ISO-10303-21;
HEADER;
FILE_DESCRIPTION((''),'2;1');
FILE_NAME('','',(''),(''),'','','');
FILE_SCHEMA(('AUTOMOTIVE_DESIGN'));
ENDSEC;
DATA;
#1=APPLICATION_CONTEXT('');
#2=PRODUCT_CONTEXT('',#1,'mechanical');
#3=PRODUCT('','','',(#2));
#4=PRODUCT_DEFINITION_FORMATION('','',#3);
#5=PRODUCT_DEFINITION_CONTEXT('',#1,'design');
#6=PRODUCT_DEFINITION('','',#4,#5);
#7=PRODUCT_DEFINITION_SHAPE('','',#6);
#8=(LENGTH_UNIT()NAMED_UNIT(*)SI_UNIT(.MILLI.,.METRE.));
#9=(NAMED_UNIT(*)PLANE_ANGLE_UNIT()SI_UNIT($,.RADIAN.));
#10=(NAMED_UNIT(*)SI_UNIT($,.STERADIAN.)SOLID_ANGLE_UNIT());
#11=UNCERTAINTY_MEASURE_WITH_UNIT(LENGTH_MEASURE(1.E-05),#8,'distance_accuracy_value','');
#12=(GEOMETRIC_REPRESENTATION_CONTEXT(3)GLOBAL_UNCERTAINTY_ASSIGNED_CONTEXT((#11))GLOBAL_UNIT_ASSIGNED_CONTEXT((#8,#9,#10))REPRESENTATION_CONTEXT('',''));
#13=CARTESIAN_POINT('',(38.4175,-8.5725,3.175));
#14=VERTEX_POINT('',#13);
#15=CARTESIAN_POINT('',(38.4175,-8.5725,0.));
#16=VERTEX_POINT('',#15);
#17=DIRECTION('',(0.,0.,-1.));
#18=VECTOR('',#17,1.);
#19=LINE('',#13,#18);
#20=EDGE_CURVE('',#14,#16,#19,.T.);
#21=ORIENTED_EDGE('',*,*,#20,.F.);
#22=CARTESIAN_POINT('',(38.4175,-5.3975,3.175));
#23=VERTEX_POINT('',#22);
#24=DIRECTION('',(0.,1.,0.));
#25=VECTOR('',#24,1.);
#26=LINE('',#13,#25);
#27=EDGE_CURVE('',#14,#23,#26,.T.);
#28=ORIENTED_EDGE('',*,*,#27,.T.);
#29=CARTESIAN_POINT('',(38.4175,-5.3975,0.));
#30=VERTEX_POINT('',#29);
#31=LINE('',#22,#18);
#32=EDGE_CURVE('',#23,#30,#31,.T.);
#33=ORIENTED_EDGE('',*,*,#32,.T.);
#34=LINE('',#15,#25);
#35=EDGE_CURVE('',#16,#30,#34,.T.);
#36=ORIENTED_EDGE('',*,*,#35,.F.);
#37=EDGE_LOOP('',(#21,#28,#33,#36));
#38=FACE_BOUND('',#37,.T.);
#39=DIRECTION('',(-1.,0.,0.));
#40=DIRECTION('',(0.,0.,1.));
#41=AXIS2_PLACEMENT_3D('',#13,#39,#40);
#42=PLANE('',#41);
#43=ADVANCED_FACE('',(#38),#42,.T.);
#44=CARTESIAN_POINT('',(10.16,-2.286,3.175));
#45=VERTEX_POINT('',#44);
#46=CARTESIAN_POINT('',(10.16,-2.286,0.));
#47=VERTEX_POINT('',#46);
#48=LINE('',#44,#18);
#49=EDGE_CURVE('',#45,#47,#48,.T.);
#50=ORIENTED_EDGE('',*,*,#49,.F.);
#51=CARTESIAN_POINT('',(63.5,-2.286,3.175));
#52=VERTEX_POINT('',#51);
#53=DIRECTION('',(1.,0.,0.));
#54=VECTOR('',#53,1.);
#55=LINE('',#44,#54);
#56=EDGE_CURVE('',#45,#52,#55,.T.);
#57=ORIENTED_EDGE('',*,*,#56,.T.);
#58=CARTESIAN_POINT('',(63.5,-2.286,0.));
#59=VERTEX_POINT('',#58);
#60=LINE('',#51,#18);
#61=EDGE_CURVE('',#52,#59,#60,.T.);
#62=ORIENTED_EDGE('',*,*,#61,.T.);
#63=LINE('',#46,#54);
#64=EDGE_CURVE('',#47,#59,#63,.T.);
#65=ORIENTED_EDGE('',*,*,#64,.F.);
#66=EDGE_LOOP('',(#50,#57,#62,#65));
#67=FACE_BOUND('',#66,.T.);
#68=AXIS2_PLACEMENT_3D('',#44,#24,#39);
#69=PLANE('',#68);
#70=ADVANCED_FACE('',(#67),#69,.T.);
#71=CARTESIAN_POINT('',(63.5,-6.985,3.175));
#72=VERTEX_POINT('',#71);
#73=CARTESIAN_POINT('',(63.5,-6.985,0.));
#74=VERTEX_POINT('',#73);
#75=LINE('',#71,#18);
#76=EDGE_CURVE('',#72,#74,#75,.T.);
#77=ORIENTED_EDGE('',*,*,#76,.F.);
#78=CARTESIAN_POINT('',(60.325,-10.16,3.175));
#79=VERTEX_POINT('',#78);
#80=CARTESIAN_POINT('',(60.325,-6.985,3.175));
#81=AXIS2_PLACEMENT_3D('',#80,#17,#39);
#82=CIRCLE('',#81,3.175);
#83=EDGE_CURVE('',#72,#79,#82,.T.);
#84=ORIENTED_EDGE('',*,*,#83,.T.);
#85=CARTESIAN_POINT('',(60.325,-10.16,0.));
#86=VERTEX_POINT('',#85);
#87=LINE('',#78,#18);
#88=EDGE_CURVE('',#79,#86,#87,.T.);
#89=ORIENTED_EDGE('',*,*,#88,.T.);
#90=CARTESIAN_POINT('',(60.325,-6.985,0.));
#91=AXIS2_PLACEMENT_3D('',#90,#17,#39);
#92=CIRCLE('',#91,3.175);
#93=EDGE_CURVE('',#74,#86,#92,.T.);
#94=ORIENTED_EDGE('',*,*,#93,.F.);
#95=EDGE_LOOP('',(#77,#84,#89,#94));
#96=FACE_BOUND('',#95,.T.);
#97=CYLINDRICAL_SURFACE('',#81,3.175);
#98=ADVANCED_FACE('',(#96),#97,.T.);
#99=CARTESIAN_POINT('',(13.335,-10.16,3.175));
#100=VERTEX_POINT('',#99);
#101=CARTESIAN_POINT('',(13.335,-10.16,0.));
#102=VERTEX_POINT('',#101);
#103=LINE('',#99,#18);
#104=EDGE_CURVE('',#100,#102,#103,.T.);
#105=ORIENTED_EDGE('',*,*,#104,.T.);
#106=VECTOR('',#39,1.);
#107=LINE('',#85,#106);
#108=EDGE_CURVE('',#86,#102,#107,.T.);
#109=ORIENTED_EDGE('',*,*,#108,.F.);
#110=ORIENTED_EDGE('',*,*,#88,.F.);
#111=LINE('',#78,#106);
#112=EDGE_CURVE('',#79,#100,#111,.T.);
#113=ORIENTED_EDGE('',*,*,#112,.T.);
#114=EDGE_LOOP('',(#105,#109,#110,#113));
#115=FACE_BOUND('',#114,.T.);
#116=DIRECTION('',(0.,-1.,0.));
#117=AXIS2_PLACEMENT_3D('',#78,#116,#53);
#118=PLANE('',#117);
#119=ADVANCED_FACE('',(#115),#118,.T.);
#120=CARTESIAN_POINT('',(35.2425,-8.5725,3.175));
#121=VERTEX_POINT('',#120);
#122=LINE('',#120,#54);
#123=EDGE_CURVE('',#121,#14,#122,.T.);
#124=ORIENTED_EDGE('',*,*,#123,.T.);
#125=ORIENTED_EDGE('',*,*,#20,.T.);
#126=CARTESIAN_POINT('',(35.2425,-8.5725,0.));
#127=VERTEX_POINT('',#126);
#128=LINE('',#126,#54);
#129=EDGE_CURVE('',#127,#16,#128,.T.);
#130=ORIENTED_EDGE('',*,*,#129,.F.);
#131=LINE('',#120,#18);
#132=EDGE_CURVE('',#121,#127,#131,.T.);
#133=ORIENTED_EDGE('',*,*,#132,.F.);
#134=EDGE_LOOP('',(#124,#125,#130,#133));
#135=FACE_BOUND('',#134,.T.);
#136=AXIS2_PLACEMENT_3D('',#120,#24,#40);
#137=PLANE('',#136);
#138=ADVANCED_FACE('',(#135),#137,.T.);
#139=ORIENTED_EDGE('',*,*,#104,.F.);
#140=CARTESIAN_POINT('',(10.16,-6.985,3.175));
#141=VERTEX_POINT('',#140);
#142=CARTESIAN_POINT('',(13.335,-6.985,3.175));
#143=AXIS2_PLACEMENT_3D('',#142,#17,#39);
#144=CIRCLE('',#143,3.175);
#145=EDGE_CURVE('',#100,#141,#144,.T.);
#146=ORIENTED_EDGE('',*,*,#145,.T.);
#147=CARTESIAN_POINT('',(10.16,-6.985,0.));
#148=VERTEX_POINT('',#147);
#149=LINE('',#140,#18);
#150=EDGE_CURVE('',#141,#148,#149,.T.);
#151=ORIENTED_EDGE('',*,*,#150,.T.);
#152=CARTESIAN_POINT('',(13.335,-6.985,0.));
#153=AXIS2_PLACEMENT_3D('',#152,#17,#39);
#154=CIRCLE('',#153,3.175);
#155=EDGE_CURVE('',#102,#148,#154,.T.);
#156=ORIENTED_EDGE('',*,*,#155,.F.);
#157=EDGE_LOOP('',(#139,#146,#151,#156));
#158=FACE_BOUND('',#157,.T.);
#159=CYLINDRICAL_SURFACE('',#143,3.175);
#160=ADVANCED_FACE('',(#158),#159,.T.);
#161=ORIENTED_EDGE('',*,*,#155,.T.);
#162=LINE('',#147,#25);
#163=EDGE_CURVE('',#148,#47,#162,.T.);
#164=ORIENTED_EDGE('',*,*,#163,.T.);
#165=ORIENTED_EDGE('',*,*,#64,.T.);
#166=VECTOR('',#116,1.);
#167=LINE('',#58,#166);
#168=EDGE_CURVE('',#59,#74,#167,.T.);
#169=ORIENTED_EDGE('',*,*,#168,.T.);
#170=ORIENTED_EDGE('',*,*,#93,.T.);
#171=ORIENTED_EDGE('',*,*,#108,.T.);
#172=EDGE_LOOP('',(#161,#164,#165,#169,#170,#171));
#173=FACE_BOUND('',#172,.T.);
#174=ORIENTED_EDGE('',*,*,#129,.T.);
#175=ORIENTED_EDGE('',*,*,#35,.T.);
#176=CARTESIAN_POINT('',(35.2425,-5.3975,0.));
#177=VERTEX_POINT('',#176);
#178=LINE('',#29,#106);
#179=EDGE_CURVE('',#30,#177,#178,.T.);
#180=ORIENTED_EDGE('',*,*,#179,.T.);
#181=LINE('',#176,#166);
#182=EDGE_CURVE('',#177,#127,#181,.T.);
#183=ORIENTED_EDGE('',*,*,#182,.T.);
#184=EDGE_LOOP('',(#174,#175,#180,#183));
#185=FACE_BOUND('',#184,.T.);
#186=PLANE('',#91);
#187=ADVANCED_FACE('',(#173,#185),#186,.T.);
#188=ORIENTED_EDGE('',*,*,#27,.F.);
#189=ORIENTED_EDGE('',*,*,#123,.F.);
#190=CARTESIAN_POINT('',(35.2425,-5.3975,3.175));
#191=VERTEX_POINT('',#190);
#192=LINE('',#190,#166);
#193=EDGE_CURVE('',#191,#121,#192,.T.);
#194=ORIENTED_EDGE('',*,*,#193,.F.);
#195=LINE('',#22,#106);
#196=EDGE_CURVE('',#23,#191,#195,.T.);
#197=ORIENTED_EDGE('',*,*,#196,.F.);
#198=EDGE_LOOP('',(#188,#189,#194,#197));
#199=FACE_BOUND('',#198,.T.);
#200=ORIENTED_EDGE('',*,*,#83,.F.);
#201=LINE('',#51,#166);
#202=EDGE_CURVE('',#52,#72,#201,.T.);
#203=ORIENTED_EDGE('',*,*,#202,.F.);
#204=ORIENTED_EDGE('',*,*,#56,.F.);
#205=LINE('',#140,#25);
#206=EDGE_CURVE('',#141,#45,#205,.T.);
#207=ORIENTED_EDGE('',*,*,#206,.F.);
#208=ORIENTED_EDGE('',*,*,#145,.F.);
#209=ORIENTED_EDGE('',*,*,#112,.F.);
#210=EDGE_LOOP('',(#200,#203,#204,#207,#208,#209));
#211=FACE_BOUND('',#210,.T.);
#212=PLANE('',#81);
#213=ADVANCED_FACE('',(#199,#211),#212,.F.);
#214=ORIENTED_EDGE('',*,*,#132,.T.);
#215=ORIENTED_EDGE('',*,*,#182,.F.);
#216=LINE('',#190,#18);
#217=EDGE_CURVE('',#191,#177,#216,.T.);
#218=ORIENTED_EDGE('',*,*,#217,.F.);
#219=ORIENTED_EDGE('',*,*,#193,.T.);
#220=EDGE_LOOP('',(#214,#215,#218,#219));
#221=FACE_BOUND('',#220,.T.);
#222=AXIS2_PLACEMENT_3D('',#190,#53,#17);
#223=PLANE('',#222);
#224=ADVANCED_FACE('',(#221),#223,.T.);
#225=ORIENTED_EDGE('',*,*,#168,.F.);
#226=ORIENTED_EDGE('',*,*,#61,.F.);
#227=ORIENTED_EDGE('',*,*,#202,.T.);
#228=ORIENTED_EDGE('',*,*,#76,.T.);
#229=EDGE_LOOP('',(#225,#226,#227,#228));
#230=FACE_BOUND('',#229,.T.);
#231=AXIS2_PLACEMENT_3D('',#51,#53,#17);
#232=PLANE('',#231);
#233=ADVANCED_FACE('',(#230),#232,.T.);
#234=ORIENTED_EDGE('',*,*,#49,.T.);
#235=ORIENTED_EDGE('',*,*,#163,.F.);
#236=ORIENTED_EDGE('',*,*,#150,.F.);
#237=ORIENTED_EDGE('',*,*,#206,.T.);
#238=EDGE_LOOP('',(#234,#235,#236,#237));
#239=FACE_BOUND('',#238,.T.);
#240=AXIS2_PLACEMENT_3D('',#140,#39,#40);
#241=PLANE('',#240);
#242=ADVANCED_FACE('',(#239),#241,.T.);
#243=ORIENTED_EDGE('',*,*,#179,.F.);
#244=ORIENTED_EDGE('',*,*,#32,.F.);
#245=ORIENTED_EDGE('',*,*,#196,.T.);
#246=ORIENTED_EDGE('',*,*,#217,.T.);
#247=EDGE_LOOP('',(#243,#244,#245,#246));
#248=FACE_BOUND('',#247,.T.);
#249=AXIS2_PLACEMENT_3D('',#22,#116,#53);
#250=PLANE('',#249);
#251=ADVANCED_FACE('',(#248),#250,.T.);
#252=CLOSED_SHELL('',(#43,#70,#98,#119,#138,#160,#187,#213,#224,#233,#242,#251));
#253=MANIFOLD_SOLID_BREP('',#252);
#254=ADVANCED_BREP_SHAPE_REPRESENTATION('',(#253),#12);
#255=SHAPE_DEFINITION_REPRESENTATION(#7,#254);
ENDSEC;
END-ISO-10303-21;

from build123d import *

# Parameters (mm, degrees)
SKETCH1_W           = 3.175
SKETCH1_H           = 3.175
BOSS_EXTRUDE1_DEPTH = 3.175


with BuildPart() as part:
    # Sketch1 → Boss-Extrude1 (new body)
    with BuildSketch(Plane.XY):
        with BuildLine():
            Line((10.16, -2.286), (63.5, -2.286))
            Line((63.5, -2.286), (63.5, -6.985))
            ThreePointArc((63.5, -6.985), (62.57006403, -9.23006403), (60.325, -10.16))
            Line((60.325, -10.16), (13.335, -10.16))
            ThreePointArc((13.335, -10.16), (11.08993597, -9.23006403), (10.16, -6.985))
            Line((10.16, -6.985), (10.16, -2.286))
        make_face()
        with Locations((36.83, -6.985)):
            Rectangle(SKETCH1_W, SKETCH1_H, mode=Mode.SUBTRACT)
    extrude(amount=BOSS_EXTRUDE1_DEPTH)


solid = part.part
